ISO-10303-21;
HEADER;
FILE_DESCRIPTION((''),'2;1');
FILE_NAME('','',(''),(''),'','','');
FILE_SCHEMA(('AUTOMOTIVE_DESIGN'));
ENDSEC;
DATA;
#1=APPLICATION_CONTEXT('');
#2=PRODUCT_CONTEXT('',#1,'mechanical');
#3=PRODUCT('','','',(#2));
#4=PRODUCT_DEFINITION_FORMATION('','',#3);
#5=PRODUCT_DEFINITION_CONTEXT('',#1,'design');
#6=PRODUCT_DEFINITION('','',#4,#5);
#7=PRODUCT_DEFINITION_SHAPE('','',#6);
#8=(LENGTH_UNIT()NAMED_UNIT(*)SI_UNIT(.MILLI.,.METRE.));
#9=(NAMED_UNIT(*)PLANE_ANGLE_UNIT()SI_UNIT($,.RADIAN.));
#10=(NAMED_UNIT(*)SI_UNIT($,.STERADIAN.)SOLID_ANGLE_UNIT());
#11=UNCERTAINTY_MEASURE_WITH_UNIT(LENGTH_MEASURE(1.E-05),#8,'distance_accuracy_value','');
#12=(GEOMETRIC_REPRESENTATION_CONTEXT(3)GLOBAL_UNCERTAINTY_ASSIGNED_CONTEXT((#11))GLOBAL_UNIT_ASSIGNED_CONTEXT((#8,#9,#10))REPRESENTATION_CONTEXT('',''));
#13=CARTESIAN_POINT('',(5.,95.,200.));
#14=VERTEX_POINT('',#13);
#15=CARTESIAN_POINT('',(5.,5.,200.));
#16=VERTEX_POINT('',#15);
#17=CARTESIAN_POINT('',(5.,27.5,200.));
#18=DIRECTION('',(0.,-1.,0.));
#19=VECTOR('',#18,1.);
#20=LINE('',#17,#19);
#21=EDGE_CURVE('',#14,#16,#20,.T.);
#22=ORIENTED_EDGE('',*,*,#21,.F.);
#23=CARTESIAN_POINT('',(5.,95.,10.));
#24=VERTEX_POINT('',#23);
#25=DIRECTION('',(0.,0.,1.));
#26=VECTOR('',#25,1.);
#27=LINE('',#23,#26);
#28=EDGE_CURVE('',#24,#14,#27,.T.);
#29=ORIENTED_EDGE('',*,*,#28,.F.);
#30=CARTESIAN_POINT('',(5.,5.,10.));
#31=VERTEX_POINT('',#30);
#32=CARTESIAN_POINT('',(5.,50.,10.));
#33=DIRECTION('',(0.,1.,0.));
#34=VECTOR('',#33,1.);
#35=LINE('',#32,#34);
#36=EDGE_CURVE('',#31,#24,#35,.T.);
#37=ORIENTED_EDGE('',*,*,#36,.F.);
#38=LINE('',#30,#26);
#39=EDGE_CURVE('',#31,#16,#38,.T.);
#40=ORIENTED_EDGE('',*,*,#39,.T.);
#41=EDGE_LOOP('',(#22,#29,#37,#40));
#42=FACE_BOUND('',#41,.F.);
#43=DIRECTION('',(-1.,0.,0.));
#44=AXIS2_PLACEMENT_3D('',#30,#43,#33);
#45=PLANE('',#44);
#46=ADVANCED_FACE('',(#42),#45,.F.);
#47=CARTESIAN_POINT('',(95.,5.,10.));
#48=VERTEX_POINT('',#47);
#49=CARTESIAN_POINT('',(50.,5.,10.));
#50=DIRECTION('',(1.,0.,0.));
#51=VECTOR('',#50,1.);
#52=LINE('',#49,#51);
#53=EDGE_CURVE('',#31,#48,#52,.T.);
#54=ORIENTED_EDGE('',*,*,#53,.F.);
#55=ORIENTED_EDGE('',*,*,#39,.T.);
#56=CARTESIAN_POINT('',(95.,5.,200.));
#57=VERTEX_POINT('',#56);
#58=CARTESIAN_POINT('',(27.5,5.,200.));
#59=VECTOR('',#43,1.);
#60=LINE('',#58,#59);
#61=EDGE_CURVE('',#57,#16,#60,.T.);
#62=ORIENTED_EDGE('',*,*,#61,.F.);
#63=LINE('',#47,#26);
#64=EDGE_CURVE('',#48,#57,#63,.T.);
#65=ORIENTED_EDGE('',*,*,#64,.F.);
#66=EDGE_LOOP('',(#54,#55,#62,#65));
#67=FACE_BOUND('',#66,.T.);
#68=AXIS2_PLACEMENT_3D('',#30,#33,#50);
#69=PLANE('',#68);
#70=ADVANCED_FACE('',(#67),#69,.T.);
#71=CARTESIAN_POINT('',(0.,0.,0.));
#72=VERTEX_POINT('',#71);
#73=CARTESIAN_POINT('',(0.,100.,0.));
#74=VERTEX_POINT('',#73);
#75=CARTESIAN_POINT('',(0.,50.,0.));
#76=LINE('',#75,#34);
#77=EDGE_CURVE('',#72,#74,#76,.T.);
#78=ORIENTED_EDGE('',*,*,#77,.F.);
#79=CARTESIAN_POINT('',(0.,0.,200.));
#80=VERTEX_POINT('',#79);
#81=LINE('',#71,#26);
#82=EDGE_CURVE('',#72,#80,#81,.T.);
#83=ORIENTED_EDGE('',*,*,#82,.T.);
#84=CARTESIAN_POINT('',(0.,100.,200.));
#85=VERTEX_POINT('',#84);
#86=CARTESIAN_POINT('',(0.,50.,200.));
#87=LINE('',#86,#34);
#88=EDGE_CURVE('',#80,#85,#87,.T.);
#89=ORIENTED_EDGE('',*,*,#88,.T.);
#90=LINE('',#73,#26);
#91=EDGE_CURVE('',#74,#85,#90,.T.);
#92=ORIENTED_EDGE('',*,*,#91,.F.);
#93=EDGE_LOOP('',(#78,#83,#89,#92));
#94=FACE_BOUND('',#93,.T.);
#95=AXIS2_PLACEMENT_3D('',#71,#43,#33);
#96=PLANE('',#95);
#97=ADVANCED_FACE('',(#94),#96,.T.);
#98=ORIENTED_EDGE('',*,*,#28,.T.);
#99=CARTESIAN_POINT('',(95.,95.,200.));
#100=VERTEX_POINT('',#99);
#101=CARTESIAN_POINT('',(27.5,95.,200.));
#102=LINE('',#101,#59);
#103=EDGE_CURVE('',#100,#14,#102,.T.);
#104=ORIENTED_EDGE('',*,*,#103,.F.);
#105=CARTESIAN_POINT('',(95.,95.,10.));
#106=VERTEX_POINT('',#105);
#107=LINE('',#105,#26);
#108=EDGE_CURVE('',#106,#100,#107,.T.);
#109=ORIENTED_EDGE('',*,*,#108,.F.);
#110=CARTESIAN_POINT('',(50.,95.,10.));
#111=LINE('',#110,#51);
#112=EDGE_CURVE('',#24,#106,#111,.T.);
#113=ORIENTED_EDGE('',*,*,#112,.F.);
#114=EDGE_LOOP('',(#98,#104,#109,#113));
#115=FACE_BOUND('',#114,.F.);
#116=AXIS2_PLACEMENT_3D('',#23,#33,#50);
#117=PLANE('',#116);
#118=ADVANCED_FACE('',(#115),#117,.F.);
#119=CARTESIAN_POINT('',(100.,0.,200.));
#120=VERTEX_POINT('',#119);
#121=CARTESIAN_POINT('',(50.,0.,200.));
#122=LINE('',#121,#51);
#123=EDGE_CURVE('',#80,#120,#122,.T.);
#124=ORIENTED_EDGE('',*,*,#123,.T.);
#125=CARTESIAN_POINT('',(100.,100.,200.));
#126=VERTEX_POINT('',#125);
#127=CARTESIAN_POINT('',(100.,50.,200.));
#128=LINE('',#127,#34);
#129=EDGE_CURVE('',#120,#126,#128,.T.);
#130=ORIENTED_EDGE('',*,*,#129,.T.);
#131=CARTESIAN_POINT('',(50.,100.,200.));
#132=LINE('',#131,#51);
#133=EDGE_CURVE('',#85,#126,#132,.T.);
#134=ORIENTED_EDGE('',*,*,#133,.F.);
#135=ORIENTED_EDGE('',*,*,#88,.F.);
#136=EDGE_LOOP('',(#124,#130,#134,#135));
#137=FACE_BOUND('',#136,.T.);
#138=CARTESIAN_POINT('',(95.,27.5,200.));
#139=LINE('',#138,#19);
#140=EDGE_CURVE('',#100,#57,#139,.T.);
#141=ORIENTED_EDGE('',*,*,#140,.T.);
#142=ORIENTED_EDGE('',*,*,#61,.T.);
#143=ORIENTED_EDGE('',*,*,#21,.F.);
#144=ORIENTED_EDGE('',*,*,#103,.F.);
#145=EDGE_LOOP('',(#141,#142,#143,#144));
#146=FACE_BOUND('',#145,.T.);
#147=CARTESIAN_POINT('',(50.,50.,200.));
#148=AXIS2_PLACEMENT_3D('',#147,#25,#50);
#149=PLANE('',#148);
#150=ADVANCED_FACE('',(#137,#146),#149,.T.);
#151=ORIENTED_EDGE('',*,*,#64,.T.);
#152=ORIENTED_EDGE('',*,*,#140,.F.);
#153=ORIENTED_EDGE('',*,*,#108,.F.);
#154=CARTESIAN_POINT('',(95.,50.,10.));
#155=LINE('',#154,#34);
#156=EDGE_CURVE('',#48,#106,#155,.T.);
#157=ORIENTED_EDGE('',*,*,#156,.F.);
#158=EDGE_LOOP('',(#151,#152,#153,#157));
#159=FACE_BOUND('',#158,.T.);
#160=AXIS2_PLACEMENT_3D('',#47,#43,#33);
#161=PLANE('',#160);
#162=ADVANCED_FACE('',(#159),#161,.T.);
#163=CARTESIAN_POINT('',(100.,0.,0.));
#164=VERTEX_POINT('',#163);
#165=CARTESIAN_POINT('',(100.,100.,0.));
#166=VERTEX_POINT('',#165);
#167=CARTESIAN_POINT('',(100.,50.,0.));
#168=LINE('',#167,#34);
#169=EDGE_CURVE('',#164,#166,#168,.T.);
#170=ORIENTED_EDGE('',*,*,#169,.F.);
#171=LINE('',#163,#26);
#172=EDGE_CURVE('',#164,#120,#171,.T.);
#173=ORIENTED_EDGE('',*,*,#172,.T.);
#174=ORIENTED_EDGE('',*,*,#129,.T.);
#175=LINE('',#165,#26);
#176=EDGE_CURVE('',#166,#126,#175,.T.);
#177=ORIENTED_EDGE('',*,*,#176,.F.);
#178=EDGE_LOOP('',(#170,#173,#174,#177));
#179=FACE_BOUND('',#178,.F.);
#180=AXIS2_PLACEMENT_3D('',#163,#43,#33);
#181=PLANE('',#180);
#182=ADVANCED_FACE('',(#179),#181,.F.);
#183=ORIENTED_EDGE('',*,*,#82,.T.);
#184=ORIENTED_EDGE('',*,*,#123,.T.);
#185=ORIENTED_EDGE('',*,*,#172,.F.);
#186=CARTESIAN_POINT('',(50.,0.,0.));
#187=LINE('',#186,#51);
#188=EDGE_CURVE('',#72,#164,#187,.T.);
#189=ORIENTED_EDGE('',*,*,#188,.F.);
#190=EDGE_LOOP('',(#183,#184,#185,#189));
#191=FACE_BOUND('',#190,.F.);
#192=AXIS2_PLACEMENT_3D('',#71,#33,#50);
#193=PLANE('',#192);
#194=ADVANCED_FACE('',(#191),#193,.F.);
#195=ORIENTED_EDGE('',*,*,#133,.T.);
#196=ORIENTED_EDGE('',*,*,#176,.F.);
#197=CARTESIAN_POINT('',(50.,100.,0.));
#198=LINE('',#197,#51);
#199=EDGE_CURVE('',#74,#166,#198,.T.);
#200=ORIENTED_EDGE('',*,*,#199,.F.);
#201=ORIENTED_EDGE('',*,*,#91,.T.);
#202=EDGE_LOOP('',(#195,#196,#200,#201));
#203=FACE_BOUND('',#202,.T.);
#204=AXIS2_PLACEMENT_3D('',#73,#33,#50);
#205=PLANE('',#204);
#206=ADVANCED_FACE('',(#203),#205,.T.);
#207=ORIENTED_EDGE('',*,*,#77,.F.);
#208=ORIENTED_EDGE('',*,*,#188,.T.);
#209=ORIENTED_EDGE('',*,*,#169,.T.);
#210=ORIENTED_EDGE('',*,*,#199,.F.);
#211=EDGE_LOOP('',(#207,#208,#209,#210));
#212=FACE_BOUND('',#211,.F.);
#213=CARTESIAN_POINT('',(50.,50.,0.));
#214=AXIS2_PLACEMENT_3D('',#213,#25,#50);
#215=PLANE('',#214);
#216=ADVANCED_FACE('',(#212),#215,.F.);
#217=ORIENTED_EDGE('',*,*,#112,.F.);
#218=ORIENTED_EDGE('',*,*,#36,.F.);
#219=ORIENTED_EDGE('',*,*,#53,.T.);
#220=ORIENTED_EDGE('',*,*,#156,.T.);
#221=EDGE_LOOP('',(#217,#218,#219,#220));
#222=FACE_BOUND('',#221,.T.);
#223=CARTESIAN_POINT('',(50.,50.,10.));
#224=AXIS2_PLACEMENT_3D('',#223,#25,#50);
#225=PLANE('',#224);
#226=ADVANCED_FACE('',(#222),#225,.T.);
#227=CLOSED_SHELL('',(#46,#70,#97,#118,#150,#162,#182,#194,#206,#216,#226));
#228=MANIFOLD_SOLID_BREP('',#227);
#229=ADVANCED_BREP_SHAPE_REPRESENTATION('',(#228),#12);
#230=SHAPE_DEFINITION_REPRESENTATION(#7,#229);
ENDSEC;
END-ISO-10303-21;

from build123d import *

# Parameters (mm, degrees)
BOX001_W     = 90
BOX001_H     = 90
BOX001_DEPTH = 200
BOX_W        = 100
BOX_H        = 100
BOX_DEPTH    = 200


with BuildPart() as cube001:
    # Box001 → Box001 (new body)
    with BuildSketch(Plane(origin=(5, 5, 10), x_dir=(1, 0, 0), z_dir=(0, 0, 1))):
        with Locations((45, 45)):
            Rectangle(BOX001_W, BOX001_H)
    extrude(amount=BOX001_DEPTH)


with BuildPart() as cut:
    # Box → Box (new body)
    with BuildSketch(Plane.XY):
        with Locations((50, 50)):
            Rectangle(BOX_W, BOX_H)
    extrude(amount=BOX_DEPTH)

    # Cut: cut Cube001
    add(cube001.part, mode=Mode.SUBTRACT)


solid = cut.part
